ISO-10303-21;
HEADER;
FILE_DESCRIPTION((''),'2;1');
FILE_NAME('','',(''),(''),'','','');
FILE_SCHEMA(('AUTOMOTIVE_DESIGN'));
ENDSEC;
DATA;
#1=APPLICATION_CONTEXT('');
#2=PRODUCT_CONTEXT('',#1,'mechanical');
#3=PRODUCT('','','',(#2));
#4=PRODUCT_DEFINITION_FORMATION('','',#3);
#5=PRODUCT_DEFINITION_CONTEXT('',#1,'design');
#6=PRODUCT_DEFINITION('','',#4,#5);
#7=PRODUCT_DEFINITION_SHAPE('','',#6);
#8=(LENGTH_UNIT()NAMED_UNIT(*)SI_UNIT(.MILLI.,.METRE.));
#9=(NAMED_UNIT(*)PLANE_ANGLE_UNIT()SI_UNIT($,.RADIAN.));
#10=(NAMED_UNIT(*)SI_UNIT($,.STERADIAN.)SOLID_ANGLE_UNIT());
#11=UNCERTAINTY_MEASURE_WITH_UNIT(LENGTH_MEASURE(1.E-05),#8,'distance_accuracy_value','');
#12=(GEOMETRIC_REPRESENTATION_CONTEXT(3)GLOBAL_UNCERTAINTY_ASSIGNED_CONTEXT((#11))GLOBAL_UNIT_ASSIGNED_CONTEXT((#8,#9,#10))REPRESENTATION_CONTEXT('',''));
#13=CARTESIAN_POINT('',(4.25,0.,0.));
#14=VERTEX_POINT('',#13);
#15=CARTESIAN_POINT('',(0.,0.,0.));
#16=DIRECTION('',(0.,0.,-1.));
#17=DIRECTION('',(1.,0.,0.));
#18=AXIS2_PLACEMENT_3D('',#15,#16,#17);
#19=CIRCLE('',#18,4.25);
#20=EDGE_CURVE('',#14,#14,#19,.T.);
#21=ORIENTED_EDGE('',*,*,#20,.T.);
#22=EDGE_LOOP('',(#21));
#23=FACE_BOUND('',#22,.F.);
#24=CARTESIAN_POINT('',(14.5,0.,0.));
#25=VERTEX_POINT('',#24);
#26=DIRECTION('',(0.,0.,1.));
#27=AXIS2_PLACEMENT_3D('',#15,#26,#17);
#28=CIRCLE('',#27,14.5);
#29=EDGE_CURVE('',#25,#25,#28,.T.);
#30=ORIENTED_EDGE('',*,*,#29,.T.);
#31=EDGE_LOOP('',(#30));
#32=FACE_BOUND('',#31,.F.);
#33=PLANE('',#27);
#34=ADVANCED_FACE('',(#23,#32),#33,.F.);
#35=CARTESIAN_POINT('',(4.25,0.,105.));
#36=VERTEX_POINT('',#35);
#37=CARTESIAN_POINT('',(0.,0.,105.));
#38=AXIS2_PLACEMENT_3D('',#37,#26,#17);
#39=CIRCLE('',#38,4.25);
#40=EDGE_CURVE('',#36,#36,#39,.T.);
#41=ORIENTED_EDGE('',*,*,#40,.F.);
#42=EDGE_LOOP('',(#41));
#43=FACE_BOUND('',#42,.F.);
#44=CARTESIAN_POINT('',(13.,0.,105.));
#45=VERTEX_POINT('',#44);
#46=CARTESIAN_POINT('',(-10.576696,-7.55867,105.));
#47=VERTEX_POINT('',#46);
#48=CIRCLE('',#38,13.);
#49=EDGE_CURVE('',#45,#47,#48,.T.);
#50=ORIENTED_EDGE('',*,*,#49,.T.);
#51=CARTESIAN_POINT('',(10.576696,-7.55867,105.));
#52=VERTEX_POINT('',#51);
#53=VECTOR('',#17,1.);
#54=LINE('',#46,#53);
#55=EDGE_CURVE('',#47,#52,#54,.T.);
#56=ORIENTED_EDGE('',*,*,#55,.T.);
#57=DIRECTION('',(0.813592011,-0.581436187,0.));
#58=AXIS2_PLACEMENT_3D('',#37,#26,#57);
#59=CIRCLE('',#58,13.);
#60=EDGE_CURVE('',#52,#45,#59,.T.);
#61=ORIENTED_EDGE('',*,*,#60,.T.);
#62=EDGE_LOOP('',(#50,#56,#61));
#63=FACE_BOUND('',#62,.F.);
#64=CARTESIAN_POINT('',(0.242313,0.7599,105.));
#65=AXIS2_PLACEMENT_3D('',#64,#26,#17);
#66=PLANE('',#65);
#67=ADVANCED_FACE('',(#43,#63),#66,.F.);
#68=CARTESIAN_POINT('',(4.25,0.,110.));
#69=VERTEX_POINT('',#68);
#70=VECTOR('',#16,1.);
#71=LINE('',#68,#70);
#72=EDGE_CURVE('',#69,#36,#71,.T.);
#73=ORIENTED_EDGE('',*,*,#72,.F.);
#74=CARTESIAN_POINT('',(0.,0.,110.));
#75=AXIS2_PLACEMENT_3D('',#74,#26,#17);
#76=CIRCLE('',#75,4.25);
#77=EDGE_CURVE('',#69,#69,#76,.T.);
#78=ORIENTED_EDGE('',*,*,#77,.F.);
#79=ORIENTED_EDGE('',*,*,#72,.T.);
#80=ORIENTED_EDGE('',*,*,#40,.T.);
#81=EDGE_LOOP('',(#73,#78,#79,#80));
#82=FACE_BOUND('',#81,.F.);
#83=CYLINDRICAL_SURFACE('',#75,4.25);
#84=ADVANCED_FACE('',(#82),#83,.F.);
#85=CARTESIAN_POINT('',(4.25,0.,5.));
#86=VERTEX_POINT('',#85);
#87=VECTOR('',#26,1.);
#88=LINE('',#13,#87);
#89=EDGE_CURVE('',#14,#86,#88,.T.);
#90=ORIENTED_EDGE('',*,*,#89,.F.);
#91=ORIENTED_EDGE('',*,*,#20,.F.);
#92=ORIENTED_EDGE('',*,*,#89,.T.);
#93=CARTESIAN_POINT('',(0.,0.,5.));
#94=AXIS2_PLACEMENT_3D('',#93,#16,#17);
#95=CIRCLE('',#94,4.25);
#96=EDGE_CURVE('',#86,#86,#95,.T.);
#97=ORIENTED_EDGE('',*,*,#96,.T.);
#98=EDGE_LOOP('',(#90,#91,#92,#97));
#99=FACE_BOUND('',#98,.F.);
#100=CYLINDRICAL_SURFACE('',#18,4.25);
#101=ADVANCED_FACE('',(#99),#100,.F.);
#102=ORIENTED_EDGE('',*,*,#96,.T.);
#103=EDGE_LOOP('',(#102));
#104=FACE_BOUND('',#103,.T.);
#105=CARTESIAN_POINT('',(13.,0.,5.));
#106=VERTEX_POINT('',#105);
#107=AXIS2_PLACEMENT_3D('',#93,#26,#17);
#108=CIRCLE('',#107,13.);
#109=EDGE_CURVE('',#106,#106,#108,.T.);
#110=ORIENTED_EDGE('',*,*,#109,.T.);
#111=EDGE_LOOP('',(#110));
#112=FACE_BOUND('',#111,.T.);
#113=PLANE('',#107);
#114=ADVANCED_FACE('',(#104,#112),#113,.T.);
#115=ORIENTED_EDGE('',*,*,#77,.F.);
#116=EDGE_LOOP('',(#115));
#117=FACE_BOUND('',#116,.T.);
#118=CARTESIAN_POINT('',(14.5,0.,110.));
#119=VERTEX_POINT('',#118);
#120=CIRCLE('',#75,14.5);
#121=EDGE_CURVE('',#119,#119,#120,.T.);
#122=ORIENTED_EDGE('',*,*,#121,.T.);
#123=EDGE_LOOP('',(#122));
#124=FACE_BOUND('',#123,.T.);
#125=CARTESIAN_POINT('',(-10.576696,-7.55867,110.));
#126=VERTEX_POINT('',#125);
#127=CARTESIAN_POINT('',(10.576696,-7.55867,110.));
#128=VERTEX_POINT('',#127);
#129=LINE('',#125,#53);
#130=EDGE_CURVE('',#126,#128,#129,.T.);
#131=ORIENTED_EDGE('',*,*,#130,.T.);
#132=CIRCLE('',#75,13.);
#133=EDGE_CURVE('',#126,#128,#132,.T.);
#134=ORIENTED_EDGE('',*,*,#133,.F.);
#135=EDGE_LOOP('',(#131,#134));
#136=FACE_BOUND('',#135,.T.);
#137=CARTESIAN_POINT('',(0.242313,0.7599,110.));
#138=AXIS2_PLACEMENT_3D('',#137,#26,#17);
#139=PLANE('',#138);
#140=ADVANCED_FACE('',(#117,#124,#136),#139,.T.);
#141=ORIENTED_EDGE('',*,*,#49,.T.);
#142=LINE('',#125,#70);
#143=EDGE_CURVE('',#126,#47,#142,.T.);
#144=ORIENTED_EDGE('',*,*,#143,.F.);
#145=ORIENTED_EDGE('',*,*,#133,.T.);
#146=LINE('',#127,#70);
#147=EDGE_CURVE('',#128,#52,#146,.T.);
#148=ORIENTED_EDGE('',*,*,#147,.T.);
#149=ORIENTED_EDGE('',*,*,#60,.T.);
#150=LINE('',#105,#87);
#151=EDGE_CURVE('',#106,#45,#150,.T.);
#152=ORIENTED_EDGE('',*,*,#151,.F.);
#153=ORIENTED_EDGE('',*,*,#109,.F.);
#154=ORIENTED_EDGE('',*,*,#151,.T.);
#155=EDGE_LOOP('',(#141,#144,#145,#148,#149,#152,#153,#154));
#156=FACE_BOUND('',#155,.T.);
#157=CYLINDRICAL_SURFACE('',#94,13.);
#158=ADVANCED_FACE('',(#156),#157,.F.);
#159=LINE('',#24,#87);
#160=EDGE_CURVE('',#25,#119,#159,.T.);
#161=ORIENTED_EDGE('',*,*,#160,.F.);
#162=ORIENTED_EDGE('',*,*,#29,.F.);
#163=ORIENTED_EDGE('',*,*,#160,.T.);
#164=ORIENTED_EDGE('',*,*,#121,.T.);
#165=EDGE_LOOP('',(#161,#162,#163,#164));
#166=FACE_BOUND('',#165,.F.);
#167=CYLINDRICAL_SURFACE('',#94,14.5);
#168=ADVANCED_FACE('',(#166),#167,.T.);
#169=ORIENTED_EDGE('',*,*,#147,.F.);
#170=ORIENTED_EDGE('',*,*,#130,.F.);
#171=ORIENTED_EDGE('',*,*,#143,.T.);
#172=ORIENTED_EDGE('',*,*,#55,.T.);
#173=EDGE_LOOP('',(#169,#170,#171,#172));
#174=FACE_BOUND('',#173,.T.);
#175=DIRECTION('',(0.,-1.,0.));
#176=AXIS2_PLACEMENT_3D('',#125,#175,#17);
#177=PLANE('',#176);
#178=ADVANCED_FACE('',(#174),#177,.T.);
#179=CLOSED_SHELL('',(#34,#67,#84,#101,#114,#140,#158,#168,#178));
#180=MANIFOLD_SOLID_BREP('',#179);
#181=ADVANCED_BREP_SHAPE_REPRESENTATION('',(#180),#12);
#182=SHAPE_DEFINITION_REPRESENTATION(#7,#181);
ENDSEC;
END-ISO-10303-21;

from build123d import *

# Parameters (mm, degrees)
F0_R     = 14.5
F1_DEPTH = 5
F2_R     = 14.5
F2_R_2   = 13
F3_DEPTH = 105
F4_R     = 4.25
F5_DEPTH = 5
F6_R     = 4.25
F7_DEPTH = 5


with BuildPart() as f1:
    # F0 (on Top) → F1 (new body)
    with BuildSketch(Plane.XY):
        Circle(F0_R)
    extrude(amount=F1_DEPTH)

    # F2 (on face) → F3 (join)
    with BuildSketch(Plane.XY.offset(5)):
        Circle(F2_R)
        Circle(F2_R_2, mode=Mode.SUBTRACT)
    extrude(amount=F3_DEPTH)

    # F4 (on face) → F5 (cut, through all)
    with BuildSketch(Plane(origin=(0, 0, 0), x_dir=(1, 0, 0), z_dir=(0, 0, -1))):
        Circle(F4_R)
    extrude(amount=-F5_DEPTH, mode=Mode.SUBTRACT)

    # F6 (on face) → F7 (join)
    with BuildSketch(Plane.XY.offset(110)):
        with BuildLine():
            ThreePointArc((13, 0), (-3.9688128034, 12.3793588255), (-10.5766961433, -7.5586704315))
            Line((-10.5766961433, -7.5586704315), (10.5766961433, -7.5586704315))
            ThreePointArc((10.5766961433, -7.5586704315), (12.3793588255, -3.9688128034), (13, 0))
        make_face()
        Circle(F6_R, mode=Mode.SUBTRACT)
    extrude(amount=-F7_DEPTH)


solid = f1.part
